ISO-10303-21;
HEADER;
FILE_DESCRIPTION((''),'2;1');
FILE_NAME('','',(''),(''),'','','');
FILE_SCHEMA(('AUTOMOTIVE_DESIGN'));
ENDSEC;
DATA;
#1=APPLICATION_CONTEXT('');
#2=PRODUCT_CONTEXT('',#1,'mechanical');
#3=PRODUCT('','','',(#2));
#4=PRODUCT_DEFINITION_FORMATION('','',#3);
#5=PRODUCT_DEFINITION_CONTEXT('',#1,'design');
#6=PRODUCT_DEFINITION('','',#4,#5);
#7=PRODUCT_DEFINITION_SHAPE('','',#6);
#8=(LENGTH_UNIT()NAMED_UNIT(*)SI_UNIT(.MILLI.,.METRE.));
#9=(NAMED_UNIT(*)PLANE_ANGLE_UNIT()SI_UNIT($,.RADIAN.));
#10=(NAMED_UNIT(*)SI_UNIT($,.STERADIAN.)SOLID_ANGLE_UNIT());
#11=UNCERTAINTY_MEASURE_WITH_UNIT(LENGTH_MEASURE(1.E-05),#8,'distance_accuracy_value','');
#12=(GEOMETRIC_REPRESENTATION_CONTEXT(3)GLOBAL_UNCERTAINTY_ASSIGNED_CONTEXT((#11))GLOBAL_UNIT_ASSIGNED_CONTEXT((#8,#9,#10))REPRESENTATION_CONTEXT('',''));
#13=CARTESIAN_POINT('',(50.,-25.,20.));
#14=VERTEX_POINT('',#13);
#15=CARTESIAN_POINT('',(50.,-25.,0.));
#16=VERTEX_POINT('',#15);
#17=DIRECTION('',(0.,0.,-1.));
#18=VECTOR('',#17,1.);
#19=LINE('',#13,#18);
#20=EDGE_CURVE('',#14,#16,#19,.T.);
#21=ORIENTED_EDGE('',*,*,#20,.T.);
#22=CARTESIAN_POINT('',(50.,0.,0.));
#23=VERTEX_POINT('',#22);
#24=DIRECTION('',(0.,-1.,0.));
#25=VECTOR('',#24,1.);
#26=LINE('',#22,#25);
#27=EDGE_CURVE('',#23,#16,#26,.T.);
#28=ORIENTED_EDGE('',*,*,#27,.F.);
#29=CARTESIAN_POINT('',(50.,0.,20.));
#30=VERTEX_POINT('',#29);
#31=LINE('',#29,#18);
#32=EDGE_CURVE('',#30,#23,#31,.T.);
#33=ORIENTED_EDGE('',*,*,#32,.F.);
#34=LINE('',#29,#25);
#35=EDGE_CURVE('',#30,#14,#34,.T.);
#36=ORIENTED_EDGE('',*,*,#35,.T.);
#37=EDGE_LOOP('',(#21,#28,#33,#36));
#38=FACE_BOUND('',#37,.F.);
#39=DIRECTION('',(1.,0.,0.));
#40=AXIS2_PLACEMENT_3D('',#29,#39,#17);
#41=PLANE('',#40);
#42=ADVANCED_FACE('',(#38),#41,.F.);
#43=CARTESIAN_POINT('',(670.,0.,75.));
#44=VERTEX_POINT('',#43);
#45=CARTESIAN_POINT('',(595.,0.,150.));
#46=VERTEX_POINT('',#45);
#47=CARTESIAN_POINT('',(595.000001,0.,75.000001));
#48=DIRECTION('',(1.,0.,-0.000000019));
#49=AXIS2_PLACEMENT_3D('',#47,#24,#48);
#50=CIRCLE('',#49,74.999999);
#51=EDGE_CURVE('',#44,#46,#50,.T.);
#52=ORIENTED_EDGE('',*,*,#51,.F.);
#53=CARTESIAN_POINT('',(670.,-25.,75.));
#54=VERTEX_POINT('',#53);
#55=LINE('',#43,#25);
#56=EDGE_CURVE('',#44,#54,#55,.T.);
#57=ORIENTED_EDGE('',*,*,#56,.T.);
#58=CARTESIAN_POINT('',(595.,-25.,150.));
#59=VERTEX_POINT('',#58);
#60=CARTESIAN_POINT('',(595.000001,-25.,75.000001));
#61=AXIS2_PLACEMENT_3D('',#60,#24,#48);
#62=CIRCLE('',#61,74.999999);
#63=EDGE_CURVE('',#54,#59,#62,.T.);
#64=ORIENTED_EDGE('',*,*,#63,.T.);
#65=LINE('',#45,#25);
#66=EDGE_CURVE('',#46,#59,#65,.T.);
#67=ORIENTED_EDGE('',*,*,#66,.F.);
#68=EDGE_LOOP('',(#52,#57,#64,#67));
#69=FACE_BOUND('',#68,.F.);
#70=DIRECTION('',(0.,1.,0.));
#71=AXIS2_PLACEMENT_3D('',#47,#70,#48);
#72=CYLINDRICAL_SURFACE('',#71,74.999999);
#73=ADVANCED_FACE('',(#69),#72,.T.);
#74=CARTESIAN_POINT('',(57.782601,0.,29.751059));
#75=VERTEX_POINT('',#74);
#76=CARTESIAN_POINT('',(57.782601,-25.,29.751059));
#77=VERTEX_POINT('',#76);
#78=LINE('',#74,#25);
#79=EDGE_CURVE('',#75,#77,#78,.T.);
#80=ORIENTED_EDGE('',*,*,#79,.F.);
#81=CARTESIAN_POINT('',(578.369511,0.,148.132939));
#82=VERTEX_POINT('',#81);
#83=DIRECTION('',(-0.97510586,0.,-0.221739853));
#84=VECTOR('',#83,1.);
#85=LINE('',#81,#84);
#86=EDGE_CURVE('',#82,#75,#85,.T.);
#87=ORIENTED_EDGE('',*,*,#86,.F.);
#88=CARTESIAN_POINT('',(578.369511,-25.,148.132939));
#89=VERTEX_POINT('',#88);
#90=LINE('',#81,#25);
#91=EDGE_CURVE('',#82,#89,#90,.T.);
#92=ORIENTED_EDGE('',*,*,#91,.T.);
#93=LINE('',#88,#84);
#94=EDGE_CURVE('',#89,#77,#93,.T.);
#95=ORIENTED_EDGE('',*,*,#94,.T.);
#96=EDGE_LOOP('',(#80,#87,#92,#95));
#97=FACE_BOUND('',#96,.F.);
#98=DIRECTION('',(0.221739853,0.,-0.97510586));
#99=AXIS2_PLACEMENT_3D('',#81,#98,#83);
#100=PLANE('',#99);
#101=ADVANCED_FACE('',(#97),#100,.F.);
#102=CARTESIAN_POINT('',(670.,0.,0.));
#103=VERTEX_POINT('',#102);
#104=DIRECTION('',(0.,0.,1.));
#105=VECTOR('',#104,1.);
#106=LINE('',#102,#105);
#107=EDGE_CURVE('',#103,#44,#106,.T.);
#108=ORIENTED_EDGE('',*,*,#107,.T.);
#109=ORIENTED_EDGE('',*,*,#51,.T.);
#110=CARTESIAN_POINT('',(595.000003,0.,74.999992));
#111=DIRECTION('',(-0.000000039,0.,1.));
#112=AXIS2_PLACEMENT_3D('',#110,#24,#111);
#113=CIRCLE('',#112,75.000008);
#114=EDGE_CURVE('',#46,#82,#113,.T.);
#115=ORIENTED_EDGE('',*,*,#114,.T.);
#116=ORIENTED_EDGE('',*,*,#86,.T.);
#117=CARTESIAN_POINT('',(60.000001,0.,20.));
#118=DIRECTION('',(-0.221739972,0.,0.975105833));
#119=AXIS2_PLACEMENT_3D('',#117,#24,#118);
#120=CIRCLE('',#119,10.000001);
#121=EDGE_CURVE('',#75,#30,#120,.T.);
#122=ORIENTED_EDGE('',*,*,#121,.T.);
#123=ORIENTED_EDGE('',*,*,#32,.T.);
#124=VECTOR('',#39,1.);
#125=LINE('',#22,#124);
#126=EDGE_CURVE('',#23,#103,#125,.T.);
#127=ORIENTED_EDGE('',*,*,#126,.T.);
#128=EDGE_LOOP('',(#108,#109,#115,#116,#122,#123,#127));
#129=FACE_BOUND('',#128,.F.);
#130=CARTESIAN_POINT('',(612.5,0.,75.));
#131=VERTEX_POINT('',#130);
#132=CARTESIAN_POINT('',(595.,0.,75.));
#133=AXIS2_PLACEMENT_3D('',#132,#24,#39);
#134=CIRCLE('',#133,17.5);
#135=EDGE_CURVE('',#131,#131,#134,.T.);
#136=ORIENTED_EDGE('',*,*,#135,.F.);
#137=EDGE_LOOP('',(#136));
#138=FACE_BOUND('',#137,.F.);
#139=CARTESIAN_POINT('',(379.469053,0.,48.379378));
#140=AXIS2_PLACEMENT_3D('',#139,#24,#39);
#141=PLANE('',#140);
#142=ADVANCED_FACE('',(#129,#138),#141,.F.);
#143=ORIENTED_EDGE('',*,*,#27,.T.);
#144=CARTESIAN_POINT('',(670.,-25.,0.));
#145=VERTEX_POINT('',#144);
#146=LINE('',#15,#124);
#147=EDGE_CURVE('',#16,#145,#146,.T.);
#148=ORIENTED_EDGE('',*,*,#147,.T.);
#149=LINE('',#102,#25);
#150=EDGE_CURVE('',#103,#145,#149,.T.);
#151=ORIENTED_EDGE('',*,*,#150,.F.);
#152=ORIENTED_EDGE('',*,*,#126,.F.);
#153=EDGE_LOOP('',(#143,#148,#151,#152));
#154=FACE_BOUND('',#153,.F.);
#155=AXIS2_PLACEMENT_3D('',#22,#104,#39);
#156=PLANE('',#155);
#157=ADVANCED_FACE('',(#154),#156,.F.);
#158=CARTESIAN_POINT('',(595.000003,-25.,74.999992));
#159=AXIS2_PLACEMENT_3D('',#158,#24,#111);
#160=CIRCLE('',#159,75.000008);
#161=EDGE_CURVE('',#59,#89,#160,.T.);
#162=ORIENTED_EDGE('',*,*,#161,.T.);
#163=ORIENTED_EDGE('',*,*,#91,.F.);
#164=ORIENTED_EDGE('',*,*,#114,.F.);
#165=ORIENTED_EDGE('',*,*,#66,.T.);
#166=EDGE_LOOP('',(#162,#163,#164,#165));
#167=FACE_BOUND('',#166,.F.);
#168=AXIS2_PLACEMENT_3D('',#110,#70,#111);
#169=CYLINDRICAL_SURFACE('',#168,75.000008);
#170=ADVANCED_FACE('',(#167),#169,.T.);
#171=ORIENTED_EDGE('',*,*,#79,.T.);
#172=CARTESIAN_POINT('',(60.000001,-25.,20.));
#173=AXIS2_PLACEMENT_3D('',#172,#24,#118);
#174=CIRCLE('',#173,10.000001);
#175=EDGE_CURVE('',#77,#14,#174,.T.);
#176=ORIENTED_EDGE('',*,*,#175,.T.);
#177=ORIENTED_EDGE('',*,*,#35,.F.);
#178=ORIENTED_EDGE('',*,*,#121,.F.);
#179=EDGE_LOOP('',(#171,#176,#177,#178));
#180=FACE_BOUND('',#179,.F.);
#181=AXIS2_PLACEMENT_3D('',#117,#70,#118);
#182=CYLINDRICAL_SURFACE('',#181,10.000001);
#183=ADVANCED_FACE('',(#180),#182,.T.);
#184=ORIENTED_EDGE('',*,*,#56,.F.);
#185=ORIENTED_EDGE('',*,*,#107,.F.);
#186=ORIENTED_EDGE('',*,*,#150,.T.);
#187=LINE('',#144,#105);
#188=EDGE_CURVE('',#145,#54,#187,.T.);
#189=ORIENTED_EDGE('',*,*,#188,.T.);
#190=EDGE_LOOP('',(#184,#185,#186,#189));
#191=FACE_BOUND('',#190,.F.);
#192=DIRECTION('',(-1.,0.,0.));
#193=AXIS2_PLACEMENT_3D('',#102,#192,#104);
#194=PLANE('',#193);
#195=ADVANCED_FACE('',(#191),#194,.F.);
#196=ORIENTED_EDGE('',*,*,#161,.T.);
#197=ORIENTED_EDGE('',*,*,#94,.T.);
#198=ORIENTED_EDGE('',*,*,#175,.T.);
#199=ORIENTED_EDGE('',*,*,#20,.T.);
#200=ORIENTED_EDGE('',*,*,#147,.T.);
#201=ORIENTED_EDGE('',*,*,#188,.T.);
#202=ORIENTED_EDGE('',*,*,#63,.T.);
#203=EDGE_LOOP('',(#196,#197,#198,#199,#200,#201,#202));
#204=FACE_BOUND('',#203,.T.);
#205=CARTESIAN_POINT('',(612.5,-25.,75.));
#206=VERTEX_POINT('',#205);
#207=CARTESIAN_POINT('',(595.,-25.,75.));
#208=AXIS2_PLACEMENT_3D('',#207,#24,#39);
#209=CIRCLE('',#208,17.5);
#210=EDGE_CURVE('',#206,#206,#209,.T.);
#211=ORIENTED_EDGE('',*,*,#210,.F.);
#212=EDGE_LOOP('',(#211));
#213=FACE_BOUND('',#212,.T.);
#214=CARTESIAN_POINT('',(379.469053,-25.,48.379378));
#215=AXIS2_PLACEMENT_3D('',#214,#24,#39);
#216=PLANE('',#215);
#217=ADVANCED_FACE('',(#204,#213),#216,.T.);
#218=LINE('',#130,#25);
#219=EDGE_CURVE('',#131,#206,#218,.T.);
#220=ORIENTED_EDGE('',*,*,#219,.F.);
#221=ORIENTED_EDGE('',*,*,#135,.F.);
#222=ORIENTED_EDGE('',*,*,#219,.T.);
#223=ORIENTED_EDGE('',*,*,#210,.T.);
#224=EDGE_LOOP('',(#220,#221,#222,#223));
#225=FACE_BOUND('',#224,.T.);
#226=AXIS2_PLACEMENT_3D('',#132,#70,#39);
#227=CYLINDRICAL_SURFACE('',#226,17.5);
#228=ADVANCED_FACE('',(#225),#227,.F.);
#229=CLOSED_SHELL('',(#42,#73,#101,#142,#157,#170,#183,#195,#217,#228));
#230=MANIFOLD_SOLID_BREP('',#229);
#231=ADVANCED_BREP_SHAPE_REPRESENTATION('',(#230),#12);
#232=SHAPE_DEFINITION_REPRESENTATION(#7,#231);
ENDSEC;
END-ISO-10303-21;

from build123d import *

# Parameters (mm, degrees)
F0_R     = 17.5
F1_DEPTH = 25


with BuildPart() as f1:
    # F0 (on Front) → F1 (new body)
    with BuildSketch(Plane.XZ):
        with BuildLine():
            Line((50, 20), (50, 0))
            Line((50, 0), (670, 0))
            Line((670, 0), (670, 75))
            ThreePointArc((670, 75), (648.033009, 128.033009), (595, 150))
            ThreePointArc((595, 150), (586.632517, 149.531773), (578.369511, 148.132939))
            Line((578.369511, 148.132939), (57.782601, 29.751059))
            ThreePointArc((57.782601, 29.751059), (52.184183, 26.238029), (50, 20))
        make_face()
        with Locations((595, 75)):
            Circle(F0_R, mode=Mode.SUBTRACT)
    extrude(amount=F1_DEPTH)


solid = f1.part
